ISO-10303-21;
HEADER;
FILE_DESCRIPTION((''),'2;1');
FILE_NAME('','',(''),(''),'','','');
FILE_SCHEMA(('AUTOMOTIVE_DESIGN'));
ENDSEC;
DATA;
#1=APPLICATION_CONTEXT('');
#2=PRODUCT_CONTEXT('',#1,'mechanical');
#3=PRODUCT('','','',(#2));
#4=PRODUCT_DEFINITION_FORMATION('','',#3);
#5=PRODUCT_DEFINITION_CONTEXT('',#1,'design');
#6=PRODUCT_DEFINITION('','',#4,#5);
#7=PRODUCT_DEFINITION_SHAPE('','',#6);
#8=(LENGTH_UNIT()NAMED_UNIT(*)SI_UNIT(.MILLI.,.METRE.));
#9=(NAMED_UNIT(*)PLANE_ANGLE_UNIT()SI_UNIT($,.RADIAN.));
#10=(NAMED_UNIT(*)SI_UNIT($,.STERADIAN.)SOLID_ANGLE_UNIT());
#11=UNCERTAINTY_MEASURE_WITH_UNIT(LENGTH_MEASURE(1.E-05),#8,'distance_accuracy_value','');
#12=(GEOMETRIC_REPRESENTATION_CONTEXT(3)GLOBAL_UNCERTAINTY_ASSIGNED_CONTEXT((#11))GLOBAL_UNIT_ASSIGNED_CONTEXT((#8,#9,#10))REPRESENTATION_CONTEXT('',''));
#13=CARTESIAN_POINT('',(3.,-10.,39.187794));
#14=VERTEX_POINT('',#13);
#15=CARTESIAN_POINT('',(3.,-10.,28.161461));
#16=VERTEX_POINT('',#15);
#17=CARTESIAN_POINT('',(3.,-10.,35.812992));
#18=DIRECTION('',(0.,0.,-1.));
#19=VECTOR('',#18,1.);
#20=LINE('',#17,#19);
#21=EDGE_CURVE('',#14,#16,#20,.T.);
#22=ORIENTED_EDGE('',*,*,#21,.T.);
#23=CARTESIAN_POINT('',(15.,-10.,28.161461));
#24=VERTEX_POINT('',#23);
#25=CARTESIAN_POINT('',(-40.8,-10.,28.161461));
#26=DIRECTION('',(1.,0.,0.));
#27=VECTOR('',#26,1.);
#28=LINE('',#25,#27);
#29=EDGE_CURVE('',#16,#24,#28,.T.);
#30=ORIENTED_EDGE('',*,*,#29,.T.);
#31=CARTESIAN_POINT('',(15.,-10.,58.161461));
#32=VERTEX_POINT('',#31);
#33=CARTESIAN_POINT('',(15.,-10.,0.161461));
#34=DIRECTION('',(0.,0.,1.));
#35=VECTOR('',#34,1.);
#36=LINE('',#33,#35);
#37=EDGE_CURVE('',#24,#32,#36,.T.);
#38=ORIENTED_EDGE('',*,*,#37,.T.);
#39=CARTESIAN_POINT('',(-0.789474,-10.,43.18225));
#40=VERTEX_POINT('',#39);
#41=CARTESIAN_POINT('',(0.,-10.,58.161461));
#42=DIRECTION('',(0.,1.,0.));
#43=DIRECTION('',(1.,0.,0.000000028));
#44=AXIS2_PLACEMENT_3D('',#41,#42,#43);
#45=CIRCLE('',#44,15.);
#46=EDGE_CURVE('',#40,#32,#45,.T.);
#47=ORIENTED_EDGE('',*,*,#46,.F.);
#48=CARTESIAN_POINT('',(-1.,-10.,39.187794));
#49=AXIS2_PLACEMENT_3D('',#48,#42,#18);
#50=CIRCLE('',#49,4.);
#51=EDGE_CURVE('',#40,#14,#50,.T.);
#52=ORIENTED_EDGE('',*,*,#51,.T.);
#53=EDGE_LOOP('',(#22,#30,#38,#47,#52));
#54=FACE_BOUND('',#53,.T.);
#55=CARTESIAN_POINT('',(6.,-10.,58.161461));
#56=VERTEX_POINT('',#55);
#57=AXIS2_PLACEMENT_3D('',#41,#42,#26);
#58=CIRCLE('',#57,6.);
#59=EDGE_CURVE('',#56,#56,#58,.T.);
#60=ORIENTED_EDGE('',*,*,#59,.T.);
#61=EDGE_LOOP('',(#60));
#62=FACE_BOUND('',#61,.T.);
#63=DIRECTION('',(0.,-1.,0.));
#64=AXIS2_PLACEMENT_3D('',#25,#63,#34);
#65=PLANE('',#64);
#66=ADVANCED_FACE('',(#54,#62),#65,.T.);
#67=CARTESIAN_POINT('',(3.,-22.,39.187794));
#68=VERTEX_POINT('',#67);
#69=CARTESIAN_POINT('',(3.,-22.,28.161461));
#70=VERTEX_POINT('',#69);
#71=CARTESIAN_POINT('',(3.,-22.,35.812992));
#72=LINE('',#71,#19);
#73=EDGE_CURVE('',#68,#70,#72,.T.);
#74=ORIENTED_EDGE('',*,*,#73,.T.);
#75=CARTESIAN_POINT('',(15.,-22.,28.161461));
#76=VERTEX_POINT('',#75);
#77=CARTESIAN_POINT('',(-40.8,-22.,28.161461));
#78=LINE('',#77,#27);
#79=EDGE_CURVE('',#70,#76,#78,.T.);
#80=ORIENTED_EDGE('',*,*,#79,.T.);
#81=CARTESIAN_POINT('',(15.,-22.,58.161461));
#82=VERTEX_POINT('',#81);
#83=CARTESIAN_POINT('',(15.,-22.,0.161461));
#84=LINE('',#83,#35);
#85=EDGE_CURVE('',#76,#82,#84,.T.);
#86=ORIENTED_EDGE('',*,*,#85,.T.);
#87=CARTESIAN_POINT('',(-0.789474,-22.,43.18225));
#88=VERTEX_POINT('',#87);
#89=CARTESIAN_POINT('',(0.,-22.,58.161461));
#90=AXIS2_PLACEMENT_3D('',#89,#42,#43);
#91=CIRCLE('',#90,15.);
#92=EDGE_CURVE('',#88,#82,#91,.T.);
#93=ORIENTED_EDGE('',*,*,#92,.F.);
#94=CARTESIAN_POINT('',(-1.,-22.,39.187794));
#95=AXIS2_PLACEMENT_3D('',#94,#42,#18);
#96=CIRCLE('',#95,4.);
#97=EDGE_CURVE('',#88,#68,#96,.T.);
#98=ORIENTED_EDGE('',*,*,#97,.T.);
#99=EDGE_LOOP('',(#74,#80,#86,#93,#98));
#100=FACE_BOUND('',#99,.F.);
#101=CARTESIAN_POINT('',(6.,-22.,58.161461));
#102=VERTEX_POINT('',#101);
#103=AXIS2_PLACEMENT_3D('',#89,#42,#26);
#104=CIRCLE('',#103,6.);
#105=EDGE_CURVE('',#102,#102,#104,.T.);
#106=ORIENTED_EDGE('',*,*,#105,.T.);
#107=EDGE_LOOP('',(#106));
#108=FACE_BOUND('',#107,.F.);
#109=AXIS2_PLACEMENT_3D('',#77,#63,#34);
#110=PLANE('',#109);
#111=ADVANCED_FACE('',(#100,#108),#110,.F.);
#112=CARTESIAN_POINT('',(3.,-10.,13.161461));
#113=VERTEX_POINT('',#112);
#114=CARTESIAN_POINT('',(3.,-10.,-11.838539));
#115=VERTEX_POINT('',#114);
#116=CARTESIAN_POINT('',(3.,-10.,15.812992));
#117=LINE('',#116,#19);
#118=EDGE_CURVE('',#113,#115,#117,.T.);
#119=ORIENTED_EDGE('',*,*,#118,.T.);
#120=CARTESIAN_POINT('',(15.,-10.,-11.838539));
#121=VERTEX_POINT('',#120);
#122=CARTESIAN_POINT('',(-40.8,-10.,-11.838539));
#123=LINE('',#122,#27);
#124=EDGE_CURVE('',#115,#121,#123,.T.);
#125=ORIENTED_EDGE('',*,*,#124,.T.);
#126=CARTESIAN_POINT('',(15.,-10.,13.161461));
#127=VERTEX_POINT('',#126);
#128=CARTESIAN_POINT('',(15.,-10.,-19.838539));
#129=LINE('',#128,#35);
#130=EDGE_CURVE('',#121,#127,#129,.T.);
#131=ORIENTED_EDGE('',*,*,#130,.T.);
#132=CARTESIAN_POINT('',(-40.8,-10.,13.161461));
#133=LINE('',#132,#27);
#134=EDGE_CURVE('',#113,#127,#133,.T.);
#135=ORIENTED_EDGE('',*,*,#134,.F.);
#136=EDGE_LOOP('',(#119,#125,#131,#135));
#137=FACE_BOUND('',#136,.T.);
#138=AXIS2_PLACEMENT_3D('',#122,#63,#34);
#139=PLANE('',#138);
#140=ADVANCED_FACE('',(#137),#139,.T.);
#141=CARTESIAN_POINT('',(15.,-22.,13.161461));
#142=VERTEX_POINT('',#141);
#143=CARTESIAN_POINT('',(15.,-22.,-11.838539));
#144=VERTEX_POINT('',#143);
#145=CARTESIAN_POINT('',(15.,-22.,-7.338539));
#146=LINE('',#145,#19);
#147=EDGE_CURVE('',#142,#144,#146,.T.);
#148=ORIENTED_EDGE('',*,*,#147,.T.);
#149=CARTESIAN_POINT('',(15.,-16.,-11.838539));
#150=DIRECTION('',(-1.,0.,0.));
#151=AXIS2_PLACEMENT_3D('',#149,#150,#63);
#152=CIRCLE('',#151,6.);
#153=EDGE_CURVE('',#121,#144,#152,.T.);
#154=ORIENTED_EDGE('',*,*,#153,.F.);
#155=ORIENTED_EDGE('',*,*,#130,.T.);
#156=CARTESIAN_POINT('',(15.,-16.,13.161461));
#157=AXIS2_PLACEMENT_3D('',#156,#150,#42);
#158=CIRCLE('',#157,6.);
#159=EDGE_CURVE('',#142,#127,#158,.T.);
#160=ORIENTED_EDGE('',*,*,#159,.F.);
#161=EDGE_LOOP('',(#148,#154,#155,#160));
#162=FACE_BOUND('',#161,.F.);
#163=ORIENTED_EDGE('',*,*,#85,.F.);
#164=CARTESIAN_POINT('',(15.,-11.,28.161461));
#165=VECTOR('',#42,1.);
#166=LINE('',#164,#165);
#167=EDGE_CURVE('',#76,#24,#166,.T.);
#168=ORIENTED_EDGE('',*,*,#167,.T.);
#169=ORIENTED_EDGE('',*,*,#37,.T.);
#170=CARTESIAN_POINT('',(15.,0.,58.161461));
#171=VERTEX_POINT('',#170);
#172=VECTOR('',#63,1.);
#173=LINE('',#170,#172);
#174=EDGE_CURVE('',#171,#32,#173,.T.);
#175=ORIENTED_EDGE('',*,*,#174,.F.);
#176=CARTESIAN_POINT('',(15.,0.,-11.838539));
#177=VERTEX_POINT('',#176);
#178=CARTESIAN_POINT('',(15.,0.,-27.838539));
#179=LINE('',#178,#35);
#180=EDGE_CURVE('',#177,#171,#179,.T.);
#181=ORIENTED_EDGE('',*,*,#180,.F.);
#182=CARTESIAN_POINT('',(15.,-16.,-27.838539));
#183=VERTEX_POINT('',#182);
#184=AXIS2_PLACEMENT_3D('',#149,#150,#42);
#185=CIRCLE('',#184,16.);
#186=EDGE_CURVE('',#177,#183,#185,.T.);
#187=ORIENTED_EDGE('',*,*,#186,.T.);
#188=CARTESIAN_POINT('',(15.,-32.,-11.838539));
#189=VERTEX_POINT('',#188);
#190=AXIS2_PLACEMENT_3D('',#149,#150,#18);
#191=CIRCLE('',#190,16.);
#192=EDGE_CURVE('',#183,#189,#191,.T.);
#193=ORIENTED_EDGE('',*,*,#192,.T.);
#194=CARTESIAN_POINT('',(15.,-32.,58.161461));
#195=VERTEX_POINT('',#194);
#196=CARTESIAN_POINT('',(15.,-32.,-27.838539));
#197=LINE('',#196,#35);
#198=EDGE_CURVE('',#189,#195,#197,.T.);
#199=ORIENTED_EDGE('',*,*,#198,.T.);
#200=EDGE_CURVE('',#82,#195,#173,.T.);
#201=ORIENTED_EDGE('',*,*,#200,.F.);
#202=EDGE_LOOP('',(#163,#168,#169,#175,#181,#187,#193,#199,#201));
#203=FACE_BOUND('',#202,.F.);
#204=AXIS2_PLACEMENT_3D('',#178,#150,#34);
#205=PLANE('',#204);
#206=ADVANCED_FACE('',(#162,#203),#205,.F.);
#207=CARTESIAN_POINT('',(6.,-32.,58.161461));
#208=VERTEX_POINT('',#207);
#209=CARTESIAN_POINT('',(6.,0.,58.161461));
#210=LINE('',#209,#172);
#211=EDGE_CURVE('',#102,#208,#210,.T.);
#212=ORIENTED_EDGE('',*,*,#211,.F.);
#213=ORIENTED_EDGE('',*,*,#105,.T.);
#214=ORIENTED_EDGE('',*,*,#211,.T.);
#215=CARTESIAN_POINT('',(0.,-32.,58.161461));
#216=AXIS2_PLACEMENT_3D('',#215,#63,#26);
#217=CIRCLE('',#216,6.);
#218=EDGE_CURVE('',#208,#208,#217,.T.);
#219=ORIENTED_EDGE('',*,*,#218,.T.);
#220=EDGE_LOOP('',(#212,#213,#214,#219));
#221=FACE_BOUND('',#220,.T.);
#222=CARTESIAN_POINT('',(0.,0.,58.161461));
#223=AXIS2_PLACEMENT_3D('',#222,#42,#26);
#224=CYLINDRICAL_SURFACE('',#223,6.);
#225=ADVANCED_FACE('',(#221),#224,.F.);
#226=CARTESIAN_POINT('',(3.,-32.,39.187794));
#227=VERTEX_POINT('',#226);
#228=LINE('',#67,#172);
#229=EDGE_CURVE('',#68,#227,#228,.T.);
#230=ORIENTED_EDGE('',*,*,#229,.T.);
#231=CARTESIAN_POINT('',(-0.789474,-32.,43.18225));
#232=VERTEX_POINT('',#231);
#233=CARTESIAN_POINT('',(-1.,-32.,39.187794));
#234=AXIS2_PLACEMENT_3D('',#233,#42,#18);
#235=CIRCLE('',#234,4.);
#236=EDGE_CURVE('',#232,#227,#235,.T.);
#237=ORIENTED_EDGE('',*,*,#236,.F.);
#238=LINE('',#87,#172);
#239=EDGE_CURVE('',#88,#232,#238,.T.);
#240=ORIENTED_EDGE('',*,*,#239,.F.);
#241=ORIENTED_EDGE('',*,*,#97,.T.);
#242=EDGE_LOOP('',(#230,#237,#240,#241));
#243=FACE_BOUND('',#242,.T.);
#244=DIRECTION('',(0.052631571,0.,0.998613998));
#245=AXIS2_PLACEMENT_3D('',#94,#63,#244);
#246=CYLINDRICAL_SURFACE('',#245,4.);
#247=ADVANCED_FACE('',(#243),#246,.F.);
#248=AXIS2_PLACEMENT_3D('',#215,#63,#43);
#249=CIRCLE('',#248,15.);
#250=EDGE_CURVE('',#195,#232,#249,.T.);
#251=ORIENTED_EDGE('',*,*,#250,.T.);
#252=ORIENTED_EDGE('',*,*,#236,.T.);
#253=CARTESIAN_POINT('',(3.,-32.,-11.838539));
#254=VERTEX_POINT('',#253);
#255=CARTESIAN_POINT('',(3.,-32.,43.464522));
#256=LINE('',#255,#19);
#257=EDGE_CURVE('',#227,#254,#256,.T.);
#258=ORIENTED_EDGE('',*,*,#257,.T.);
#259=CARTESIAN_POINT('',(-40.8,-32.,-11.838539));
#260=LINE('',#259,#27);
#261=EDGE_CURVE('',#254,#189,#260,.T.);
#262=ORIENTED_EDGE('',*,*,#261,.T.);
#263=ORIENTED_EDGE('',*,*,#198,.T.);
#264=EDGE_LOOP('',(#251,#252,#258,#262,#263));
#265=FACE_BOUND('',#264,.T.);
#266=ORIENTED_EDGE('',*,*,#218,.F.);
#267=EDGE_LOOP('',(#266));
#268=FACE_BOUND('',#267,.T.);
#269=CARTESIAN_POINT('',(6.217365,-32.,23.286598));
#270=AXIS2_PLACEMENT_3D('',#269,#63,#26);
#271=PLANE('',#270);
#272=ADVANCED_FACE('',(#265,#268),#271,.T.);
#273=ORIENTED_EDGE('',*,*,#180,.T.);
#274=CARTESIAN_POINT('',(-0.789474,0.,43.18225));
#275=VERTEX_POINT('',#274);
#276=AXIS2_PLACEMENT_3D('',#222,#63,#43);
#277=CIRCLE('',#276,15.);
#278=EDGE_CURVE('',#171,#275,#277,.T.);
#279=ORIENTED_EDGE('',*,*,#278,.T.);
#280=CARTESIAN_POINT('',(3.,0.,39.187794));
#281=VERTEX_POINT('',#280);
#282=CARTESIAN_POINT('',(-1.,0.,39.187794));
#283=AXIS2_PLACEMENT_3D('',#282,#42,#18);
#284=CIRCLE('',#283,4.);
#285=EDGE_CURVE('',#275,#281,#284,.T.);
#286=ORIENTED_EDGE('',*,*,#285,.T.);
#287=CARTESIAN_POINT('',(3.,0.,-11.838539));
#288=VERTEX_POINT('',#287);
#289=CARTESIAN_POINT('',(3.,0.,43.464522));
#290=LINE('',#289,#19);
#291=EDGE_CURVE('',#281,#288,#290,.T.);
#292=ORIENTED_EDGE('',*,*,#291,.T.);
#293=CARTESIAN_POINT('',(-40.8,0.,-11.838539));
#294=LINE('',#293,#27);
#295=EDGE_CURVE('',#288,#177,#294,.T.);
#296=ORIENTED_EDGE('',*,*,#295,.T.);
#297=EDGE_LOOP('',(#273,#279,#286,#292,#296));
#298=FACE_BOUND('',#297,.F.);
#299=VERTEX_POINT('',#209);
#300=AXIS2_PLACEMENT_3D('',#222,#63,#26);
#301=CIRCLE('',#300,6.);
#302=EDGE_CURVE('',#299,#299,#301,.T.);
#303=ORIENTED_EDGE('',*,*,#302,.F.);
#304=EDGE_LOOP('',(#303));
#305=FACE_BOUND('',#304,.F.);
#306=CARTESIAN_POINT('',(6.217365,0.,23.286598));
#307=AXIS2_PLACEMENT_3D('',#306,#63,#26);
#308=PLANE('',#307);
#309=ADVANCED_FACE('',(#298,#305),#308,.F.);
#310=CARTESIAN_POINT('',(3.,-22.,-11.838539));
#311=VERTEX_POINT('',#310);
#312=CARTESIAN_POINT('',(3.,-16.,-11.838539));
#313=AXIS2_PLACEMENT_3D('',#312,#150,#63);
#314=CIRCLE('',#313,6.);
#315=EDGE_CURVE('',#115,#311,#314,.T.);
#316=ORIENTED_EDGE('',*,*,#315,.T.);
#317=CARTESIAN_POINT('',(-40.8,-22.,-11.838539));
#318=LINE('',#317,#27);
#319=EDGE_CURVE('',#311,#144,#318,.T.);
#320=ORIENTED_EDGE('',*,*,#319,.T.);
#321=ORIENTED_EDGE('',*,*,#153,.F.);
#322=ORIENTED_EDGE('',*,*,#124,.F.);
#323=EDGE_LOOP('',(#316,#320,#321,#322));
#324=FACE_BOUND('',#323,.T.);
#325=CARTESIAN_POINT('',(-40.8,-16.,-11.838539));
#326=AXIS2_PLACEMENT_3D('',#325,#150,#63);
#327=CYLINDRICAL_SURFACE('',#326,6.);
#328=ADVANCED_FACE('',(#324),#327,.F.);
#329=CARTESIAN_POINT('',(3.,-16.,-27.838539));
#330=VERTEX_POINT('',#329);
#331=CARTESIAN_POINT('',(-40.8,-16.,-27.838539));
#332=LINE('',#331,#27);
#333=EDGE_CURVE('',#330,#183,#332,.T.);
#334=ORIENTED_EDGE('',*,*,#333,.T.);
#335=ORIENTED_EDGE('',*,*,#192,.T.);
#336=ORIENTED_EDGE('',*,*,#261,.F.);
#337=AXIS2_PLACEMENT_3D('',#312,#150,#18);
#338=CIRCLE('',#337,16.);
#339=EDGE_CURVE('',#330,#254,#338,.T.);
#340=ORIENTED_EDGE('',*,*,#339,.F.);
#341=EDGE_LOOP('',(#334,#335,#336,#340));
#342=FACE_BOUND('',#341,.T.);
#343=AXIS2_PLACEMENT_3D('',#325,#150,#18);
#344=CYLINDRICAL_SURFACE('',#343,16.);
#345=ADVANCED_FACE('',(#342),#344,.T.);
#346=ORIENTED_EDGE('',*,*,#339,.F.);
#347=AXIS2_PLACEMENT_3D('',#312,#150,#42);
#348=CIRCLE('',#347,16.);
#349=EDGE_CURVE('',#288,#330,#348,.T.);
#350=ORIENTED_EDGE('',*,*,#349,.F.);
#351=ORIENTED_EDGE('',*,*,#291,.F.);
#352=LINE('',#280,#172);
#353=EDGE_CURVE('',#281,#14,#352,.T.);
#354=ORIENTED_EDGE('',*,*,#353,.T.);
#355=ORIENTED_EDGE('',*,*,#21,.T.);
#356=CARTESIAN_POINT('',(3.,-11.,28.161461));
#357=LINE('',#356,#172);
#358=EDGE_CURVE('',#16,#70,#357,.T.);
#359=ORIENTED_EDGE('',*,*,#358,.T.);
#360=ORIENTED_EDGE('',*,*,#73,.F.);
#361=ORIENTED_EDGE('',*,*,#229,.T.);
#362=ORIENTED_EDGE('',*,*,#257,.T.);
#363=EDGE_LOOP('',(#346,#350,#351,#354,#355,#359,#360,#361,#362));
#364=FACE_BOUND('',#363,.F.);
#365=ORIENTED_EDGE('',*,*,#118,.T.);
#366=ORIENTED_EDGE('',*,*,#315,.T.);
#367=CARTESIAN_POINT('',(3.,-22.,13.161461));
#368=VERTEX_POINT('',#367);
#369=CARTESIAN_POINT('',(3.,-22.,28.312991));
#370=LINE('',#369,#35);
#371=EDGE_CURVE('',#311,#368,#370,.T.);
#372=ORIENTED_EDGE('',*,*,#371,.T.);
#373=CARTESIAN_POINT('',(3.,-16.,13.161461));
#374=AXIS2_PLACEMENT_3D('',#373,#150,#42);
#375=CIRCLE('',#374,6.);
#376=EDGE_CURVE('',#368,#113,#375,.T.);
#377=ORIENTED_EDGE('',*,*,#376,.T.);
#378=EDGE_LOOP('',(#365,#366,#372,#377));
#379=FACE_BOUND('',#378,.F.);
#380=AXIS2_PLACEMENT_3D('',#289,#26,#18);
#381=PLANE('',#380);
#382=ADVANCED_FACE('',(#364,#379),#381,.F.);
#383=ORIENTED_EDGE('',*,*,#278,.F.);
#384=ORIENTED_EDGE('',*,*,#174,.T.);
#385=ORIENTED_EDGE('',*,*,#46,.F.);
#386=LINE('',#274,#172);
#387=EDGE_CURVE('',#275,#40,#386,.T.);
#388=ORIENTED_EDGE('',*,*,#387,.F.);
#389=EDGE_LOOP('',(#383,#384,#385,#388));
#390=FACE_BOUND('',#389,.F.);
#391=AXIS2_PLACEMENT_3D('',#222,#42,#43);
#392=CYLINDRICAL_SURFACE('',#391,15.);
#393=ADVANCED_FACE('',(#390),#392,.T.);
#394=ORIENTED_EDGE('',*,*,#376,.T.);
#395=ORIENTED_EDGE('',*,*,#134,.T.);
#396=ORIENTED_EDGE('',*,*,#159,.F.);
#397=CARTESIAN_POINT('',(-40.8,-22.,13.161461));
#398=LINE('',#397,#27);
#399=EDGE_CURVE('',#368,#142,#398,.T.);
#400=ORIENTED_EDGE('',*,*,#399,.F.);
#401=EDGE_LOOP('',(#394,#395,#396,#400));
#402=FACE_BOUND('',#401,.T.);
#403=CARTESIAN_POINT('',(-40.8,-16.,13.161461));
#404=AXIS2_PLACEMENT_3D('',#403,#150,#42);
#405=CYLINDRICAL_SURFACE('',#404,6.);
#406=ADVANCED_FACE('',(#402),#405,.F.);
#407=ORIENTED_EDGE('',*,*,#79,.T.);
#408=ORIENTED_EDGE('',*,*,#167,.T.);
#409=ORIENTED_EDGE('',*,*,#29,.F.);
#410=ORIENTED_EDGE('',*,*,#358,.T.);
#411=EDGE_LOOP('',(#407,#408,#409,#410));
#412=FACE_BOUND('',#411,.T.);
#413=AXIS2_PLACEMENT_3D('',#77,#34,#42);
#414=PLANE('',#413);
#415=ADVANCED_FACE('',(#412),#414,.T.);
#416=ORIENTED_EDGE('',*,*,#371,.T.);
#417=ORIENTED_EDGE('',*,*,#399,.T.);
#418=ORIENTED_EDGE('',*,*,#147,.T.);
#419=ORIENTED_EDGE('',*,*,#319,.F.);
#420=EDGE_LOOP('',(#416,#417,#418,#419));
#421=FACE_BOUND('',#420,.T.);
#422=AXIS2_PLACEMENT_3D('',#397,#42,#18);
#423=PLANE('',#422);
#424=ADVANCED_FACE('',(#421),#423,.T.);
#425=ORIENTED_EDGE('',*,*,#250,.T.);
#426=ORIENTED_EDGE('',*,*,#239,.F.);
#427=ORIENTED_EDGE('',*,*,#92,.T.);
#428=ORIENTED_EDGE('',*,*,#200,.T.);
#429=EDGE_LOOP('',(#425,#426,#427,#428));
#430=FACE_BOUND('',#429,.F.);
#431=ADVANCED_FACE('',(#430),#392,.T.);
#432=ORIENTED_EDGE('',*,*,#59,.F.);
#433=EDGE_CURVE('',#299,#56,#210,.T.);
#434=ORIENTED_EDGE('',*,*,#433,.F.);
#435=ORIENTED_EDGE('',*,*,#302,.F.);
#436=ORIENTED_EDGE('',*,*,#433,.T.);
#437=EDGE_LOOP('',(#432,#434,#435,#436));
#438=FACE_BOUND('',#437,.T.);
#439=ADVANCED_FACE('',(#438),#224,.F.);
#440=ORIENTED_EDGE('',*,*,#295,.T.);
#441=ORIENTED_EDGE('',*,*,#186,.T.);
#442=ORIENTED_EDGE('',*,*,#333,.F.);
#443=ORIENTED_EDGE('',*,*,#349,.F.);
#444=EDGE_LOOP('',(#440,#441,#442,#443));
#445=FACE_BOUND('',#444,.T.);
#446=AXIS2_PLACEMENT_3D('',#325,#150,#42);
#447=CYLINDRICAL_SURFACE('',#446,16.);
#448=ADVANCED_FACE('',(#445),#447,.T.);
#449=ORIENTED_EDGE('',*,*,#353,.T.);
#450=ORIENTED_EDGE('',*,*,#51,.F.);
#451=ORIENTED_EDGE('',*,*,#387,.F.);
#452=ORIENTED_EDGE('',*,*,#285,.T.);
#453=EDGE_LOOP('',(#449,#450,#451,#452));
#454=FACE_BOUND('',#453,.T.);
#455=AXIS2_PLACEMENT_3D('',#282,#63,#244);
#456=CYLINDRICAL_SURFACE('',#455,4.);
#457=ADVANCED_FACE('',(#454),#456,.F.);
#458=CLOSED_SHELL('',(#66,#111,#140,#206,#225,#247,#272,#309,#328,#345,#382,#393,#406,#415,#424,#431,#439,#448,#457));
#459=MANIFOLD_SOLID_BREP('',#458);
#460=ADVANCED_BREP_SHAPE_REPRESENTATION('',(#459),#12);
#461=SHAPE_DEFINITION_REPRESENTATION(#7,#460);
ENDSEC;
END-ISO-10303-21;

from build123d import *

# Parameters (mm, degrees)
F0_R     = 6
F1_DEPTH = 32
F3_W     = 12
F3_H     = 45
F4_DEPTH = 55.801
F5_R     = 4


with BuildPart() as f1:
    # F0 (on Front) → F1 (new body)
    with BuildSketch(Plane.XZ):
        with BuildLine():
            Line((15, -27.838539), (15, 58.161461))
            ThreePointArc((15, 58.161461), (-11.61895, 67.648294), (3, 43.464522))
            Line((3, 43.464522), (3, -27.838539))
            Line((3, -27.838539), (15, -27.838539))
        make_face()
        with Locations((0, 58.161461)):
            Circle(F0_R, mode=Mode.SUBTRACT)
    extrude(amount=F1_DEPTH)

    # F3 (on offset) → F4 (cut, through all)
    with BuildSketch(Plane.YZ.offset(-40.8)):
        with BuildLine():
            Line((0, -27.838539), (0, -11.838539))
            ThreePointArc((0, -11.838539), (-4.686292, -23.152248), (-16, -27.838539))
            Line((-16, -27.838539), (0, -27.838539))
        make_face()
        with BuildLine():
            Line((-32, -27.838539), (-16, -27.838539))
            ThreePointArc((-16, -27.838539), (-27.313708, -23.152248), (-32, -11.838539))
            Line((-32, -11.838539), (-32, -27.838539))
        make_face()
        with BuildLine():
            Line((-10, -11.838539), (-10, 13.161461))
            ThreePointArc((-10, 13.161461), (-16, 19.161461), (-22, 13.161461))
            Line((-22, 13.161461), (-22, -11.838539))
            ThreePointArc((-22, -11.838539), (-16, -17.838539), (-10, -11.838539))
        make_face()
        with Locations((-16, 50.661461)):
            Rectangle(F3_W, F3_H)
    extrude(amount=F4_DEPTH, mode=Mode.SUBTRACT)

    # F5
    f5_edges = [f1.edges().sort_by_distance(p)[0] for p in [
        (3, -5, 43.464522),
        (3, -27, 43.464522),
    ]]
    fillet(f5_edges, radius=F5_R)


solid = f1.part
